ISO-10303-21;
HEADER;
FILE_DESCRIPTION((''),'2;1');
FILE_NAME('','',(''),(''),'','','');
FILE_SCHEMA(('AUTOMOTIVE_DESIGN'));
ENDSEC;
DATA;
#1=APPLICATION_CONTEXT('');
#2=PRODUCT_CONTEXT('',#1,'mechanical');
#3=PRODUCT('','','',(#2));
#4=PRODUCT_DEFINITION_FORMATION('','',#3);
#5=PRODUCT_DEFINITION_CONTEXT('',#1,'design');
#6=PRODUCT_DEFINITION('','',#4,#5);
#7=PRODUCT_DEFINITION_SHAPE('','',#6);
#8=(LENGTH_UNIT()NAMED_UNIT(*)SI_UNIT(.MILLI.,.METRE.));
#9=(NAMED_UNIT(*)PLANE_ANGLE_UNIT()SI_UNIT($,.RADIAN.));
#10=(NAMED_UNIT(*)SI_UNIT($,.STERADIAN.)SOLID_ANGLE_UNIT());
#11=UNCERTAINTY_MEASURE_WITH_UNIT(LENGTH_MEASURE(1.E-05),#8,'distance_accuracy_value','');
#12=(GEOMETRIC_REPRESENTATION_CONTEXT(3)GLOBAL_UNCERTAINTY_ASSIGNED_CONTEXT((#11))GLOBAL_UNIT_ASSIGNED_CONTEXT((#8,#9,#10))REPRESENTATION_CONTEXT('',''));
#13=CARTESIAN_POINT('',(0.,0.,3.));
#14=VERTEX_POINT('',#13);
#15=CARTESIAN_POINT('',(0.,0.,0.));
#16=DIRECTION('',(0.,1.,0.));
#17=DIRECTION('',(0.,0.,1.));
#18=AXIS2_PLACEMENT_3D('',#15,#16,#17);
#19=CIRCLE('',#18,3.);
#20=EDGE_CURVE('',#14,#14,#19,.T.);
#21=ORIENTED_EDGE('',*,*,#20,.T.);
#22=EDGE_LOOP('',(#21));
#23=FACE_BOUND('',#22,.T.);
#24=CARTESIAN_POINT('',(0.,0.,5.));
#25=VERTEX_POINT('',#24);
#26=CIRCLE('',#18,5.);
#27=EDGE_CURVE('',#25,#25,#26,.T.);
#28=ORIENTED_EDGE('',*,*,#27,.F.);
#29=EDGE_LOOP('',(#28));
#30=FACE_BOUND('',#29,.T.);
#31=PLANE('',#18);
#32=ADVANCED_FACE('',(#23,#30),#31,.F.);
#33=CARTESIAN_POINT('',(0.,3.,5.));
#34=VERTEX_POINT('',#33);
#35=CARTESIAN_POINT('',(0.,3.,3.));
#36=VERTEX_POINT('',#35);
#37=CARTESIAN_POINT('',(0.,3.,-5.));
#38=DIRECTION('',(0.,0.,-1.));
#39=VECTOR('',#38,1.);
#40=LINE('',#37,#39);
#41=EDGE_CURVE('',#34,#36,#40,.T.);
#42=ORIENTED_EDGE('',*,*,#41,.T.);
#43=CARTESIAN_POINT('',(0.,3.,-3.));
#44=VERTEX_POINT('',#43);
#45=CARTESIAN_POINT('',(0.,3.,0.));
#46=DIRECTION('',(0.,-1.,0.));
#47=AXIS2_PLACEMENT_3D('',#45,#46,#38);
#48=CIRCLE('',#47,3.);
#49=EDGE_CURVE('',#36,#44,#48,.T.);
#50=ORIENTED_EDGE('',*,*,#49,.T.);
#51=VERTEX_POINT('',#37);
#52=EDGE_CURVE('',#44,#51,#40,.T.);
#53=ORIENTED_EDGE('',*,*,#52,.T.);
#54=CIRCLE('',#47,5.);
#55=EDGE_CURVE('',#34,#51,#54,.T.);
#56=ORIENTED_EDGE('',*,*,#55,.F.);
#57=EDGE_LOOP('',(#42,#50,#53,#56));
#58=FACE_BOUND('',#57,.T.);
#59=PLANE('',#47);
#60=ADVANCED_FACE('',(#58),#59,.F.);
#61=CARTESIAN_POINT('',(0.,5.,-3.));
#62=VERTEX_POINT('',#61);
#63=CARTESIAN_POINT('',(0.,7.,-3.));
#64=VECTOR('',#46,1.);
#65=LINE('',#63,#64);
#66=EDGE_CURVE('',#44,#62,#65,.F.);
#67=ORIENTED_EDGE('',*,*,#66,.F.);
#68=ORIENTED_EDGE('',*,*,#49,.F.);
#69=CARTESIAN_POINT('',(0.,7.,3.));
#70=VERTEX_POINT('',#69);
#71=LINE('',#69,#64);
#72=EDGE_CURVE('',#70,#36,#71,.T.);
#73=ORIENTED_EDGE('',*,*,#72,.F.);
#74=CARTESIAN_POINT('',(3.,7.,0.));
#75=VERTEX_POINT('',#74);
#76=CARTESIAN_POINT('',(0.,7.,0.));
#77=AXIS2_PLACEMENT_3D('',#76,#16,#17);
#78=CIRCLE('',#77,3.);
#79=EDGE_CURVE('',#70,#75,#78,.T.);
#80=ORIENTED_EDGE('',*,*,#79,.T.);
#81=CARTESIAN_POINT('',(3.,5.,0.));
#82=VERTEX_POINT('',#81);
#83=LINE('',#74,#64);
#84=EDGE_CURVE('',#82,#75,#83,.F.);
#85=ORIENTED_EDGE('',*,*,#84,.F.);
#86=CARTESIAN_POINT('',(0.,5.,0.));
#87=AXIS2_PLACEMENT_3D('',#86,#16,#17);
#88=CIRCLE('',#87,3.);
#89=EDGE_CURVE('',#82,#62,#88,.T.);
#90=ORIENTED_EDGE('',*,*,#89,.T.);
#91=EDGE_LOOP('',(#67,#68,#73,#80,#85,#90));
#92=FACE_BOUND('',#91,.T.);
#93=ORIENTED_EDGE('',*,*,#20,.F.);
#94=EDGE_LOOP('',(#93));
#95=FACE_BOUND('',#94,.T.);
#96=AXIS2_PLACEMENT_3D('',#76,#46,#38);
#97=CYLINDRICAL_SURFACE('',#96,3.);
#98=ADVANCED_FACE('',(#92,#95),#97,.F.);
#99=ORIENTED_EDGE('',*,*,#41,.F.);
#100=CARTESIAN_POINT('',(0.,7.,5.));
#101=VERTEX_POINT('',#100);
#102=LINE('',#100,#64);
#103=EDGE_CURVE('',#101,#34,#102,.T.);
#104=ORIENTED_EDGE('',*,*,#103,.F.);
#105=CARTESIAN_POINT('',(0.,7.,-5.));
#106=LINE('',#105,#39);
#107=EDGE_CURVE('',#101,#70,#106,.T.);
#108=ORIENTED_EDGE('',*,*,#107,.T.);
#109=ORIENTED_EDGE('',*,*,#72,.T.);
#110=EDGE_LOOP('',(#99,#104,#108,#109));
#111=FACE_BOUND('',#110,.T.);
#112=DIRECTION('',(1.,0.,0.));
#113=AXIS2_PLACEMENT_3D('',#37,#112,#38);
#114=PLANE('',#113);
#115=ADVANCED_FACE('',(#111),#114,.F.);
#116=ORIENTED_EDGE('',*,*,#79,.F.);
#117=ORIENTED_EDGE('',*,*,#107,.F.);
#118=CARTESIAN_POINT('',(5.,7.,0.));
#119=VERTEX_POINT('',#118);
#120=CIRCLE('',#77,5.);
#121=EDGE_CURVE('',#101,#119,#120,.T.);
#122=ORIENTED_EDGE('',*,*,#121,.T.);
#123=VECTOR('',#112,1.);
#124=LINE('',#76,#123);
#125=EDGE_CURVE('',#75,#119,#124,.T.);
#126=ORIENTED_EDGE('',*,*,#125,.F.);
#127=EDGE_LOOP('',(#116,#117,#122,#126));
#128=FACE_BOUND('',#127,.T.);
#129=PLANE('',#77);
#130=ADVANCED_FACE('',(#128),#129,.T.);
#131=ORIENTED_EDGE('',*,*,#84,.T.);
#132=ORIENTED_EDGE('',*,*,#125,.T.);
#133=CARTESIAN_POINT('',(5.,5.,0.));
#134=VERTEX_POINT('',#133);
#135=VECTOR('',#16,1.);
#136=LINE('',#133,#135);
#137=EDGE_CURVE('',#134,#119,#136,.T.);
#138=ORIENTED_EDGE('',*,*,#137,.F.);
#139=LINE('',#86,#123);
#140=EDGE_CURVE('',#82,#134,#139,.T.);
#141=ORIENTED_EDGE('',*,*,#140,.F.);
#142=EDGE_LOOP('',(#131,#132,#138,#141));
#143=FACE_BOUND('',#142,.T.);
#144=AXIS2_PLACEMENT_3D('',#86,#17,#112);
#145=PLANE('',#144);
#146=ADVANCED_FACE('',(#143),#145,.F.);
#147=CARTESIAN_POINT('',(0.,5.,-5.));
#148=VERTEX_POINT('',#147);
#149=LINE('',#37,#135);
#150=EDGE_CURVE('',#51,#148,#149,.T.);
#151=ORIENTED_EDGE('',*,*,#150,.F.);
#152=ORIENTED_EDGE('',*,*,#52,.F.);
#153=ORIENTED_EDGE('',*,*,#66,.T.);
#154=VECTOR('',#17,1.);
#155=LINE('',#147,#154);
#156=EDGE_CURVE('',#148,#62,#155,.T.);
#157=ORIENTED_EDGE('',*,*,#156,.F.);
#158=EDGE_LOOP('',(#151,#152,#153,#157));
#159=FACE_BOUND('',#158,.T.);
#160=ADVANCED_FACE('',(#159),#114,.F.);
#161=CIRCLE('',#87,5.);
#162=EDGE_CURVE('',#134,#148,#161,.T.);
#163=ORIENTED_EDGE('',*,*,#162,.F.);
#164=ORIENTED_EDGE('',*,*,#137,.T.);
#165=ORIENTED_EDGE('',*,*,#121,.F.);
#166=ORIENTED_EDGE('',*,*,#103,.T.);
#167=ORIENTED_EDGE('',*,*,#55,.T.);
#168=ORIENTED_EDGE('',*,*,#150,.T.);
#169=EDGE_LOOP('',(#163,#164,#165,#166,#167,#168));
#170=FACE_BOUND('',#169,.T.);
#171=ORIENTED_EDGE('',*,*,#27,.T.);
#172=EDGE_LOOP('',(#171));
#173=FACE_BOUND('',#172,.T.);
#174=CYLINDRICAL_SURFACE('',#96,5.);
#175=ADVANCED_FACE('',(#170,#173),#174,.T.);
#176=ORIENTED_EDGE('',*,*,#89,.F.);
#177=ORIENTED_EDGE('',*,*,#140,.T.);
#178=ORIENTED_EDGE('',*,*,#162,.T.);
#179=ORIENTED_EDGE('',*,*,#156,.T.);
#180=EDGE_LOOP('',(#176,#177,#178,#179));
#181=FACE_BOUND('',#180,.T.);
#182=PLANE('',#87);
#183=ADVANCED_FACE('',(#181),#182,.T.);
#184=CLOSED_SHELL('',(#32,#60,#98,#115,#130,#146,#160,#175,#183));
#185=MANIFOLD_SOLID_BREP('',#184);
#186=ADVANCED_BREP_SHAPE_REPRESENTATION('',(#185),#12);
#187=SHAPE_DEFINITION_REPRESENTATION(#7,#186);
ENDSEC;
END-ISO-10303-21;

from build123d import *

# Parameters (mm, degrees)
SKETCH1_R           = 5
SKETCH1_R_2         = 3
BOSS_EXTRUDE1_DEPTH = 7
SKETCH3_W           = 6.288888245
SKETCH3_H           = 10.422150442
CUT_EXTRUDE1_DEPTH  = 4
SKETCH4_W           = 5
SKETCH4_H           = 5
CUT_EXTRUDE2_DEPTH  = 2


with BuildPart() as part:
    # Sketch1 → Boss-Extrude1 (new body)
    with BuildSketch(Plane(origin=(0, 0, 0), x_dir=(1, 0, 0), z_dir=(0, 1, 0))):
        Circle(SKETCH1_R)
        Circle(SKETCH1_R_2, mode=Mode.SUBTRACT)
    extrude(amount=BOSS_EXTRUDE1_DEPTH)

    # Sketch3 → Cut-Extrude1 (cut)
    with BuildSketch(Plane(origin=(0, 7, 0), x_dir=(1, 0, 0), z_dir=(0, 1, 0))):
        with Locations((-3.144444123, -0.211075221)):
            Rectangle(SKETCH3_W, SKETCH3_H)
    extrude(amount=-CUT_EXTRUDE1_DEPTH, mode=Mode.SUBTRACT)

    # Sketch4 → Cut-Extrude2 (cut)
    with BuildSketch(Plane(origin=(0, 7, 0), x_dir=(1, 0, 0), z_dir=(0, 1, 0))):
        with Locations((2.5, 2.5)):
            Rectangle(SKETCH4_W, SKETCH4_H)
    extrude(amount=-CUT_EXTRUDE2_DEPTH, mode=Mode.SUBTRACT)


solid = part.part
